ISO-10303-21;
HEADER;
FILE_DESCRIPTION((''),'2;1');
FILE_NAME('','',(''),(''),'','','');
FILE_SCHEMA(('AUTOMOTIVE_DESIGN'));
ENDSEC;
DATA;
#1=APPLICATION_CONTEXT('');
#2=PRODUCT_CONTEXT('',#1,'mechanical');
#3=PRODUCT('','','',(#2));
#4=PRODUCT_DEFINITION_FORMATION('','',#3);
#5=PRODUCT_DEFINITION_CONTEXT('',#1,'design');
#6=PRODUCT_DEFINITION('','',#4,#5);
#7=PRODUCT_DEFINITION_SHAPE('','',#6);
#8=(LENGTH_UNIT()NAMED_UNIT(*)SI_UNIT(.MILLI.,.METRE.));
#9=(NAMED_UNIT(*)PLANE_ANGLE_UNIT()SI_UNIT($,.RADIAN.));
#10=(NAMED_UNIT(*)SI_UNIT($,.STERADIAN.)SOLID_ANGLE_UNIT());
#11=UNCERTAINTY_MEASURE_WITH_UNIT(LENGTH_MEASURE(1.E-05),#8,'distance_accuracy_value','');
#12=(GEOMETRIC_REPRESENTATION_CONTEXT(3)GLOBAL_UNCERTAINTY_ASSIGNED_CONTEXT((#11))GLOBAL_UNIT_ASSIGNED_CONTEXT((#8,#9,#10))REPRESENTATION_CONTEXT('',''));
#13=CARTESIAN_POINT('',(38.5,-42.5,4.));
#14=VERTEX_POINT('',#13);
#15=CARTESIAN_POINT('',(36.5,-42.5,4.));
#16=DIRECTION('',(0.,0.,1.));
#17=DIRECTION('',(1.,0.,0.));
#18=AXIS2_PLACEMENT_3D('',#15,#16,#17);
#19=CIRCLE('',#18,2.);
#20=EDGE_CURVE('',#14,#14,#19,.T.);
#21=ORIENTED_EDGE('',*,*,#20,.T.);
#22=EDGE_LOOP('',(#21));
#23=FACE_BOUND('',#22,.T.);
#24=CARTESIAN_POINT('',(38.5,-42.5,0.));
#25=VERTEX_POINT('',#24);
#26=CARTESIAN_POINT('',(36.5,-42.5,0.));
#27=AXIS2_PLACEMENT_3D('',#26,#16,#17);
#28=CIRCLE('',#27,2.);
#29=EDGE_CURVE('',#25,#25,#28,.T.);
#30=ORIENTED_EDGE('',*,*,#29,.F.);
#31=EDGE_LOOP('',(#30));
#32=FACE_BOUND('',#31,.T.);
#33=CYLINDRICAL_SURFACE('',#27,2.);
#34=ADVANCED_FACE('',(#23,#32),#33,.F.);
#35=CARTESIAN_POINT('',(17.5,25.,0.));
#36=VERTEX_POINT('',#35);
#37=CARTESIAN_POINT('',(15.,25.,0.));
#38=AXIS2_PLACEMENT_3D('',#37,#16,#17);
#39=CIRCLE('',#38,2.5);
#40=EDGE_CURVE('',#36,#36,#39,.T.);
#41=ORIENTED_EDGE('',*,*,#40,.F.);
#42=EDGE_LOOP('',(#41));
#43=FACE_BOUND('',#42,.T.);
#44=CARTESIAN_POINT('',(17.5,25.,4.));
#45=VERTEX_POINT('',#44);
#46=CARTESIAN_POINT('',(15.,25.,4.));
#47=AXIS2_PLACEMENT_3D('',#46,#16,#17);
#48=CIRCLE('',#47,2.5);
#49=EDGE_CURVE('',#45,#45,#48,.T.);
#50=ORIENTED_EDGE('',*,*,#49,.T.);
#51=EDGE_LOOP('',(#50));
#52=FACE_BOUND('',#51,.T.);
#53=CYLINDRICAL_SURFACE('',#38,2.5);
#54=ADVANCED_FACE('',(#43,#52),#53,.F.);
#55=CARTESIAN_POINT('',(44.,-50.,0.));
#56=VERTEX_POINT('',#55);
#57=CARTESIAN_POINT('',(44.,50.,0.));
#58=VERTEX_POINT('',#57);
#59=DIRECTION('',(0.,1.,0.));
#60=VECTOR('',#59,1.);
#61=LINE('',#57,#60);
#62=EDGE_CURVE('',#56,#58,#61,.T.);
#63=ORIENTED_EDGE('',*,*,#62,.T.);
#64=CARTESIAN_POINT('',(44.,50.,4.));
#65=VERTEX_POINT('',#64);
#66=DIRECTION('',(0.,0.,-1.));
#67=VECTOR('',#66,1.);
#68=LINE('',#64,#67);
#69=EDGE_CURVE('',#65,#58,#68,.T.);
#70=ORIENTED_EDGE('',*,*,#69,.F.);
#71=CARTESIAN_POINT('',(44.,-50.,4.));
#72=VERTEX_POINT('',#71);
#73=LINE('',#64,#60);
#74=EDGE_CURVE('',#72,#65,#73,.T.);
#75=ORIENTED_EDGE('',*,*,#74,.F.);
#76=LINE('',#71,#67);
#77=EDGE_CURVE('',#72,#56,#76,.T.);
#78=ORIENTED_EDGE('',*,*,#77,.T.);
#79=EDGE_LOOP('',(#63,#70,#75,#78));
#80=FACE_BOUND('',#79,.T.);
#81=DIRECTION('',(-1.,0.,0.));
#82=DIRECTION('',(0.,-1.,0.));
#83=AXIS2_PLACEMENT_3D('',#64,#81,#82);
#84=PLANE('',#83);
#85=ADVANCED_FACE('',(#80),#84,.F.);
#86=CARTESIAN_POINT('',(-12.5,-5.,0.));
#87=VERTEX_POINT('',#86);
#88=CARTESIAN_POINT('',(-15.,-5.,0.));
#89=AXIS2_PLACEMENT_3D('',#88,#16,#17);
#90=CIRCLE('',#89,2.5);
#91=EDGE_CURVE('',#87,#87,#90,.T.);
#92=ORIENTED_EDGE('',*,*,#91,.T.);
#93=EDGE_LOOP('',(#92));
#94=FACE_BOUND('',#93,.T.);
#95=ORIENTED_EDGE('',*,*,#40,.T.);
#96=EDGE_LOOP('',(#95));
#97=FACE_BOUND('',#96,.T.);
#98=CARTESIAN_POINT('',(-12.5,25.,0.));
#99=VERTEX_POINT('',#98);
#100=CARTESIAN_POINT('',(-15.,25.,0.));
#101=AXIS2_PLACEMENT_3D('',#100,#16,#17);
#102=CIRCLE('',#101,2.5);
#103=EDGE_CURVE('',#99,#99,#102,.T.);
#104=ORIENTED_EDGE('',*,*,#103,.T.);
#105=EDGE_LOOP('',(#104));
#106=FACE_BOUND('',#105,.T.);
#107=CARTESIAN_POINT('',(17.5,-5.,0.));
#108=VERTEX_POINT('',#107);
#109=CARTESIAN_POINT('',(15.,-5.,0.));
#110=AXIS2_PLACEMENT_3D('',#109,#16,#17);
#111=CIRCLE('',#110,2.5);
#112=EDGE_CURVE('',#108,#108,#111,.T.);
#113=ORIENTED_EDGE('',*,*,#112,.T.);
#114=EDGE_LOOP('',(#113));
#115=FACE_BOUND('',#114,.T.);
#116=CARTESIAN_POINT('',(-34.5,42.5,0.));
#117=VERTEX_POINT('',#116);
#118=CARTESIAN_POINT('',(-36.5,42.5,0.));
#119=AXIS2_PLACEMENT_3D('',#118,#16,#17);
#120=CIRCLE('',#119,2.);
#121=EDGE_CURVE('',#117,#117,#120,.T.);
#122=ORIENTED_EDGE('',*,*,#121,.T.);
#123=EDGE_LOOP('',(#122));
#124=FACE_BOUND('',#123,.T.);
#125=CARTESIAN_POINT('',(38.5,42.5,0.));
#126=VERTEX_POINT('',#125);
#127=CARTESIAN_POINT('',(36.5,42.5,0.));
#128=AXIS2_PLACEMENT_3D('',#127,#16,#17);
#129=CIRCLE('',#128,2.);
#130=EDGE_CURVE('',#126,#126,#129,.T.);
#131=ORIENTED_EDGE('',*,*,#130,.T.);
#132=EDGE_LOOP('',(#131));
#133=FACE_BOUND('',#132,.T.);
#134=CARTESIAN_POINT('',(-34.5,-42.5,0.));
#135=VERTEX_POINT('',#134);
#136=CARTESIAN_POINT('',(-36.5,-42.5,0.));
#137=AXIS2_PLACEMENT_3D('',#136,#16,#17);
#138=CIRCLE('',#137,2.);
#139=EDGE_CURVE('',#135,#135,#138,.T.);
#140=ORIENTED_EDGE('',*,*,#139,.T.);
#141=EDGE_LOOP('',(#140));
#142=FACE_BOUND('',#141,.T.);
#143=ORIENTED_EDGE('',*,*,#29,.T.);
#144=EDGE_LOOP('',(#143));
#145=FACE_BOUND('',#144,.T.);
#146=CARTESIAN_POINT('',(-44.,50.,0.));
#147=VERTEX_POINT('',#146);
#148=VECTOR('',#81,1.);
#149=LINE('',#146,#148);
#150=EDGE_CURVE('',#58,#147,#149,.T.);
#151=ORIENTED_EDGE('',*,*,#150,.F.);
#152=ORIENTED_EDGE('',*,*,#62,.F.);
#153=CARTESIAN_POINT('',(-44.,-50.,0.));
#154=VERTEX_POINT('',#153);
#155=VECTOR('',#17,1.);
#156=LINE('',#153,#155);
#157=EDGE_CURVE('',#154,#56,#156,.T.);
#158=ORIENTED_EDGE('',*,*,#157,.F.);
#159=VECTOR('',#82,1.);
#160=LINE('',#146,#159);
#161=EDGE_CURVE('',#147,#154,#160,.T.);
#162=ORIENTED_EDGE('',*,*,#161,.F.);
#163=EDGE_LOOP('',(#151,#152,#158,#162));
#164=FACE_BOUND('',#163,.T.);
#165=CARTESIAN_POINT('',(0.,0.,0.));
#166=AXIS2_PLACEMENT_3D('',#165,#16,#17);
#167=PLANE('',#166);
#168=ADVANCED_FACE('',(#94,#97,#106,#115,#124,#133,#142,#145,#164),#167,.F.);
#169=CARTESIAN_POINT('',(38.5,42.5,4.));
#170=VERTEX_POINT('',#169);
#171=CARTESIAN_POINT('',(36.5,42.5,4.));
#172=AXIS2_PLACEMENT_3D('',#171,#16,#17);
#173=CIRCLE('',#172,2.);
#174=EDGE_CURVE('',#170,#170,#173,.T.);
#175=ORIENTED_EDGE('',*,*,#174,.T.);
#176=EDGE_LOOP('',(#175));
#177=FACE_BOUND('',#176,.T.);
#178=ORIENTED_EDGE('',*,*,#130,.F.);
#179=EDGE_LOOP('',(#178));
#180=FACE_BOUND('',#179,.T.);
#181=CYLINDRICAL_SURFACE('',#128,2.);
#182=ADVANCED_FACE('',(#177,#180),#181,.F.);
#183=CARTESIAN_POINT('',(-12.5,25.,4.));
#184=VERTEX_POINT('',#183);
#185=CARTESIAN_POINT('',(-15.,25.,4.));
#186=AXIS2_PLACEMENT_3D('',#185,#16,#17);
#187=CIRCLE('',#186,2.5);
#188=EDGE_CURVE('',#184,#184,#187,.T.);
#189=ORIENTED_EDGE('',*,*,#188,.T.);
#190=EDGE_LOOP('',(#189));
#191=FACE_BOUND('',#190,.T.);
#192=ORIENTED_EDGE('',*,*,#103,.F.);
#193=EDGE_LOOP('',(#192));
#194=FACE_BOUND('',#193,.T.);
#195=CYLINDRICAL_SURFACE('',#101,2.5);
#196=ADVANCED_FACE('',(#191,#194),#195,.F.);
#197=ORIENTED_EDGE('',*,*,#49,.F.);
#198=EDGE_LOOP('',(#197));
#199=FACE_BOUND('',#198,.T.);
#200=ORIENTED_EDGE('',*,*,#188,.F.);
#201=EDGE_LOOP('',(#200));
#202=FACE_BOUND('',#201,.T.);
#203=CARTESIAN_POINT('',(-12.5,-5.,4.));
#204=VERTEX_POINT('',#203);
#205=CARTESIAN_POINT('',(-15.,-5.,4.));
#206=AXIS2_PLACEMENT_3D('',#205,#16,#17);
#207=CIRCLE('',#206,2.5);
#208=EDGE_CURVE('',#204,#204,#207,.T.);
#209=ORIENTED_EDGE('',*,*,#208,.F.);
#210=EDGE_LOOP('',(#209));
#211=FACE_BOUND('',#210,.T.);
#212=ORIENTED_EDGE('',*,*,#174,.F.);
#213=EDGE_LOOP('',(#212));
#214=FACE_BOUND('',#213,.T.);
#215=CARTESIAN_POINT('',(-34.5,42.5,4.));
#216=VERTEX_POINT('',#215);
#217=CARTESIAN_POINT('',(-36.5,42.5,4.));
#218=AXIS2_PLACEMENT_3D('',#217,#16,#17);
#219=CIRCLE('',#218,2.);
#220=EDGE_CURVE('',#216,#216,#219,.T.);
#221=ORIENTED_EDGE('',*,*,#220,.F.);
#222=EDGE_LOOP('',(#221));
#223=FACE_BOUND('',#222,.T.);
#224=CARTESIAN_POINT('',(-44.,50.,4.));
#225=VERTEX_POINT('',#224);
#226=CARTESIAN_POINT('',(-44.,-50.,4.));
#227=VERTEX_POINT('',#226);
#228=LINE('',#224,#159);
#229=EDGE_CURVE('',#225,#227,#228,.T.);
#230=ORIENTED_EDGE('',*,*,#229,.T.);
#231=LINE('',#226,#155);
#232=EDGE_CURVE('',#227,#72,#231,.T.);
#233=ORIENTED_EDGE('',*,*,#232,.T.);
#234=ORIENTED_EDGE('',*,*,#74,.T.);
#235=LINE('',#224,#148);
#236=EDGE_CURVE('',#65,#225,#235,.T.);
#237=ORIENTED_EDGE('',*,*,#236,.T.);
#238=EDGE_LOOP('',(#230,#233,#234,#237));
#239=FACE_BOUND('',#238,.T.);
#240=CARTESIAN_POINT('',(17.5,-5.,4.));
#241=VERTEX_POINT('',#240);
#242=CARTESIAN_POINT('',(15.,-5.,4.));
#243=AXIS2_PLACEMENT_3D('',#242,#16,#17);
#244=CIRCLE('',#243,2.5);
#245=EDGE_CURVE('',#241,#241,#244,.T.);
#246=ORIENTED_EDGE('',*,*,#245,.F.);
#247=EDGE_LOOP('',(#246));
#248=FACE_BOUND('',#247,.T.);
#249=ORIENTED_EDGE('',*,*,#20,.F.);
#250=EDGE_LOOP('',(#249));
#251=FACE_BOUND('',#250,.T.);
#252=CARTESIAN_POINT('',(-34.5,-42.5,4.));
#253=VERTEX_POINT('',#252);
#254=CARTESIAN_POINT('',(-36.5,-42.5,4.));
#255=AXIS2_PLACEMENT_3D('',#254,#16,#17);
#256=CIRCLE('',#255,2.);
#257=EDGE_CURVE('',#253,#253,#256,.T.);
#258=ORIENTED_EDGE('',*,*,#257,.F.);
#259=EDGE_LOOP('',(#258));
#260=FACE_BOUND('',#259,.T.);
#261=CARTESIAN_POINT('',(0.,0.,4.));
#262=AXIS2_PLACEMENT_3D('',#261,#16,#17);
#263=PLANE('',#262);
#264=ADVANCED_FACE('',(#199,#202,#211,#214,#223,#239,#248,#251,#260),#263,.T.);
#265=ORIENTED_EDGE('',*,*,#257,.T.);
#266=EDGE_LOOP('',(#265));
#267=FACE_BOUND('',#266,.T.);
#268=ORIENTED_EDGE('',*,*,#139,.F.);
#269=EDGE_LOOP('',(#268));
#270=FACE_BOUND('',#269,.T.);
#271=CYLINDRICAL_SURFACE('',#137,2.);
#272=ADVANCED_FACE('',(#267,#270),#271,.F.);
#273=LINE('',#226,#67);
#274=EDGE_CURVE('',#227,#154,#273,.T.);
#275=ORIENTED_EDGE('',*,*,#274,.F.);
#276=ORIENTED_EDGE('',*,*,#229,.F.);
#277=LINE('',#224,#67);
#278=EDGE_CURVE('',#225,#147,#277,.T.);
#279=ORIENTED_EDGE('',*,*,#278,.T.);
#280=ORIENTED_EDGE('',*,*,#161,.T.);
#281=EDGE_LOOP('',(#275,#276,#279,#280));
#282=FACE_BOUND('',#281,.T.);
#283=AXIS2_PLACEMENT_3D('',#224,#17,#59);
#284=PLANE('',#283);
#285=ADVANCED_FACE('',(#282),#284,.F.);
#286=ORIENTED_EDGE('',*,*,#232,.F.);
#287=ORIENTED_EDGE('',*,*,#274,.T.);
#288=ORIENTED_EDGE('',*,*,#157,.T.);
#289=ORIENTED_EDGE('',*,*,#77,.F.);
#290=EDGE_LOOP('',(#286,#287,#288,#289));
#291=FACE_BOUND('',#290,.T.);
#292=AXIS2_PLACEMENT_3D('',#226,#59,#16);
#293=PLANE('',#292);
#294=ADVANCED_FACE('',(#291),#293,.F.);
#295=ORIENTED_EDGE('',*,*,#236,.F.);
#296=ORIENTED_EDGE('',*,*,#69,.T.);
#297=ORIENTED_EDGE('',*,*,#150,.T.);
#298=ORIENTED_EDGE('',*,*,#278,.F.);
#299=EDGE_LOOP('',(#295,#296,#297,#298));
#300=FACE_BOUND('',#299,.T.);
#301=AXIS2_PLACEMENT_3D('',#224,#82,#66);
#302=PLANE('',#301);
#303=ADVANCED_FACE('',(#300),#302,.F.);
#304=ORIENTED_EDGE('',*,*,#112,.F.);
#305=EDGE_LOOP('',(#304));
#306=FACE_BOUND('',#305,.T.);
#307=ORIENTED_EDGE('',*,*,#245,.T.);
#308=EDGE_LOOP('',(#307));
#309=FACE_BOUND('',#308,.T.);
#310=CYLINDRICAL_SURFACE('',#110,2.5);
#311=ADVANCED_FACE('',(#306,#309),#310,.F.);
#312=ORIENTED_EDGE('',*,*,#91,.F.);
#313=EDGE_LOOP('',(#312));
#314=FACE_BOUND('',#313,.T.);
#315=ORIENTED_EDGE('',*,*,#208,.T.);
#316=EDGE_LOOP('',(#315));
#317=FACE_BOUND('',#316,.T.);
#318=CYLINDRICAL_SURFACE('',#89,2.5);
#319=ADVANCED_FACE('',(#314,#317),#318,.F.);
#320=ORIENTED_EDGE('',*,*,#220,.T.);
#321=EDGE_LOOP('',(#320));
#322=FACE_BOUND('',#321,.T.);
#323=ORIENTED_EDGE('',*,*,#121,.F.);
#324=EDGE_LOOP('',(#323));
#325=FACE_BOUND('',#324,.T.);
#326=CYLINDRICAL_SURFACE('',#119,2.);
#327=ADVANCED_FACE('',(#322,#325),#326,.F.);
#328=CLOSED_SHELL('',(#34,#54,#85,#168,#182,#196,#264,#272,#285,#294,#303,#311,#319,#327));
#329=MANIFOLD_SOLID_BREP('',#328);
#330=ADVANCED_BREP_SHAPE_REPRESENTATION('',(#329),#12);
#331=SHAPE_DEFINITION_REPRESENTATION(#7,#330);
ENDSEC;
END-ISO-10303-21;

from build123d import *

# Parameters (mm, degrees)
SKETCH_1_W          = 88
SKETCH_1_H          = 100
EXTRUDE_1_DEPTH     = 4
SKETCH_2_R          = 2
CUT_EXTRUDE_1_DEPTH = 67.72330927
SKETCH_3_R          = 2.5
CUT_EXTRUDE_2_DEPTH = 67.72330927


with BuildPart() as part:
    # 草图1 → 凸台-拉伸1 (new body)
    with BuildSketch(Plane.XY):
        Rectangle(SKETCH_1_W, SKETCH_1_H)
    extrude(amount=EXTRUDE_1_DEPTH)

    # 草图2 → 切除-拉伸1 (cut, through all)
    with BuildSketch(Plane.XY.offset(4)):
        with Locations((-36.5, 42.5)):
            Circle(SKETCH_2_R)
        with Locations((36.5, 42.5)):
            Circle(SKETCH_2_R)
        with Locations((36.5, -42.5)):
            Circle(SKETCH_2_R)
        with Locations((-36.5, -42.5)):
            Circle(SKETCH_2_R)
    extrude(amount=-CUT_EXTRUDE_1_DEPTH, mode=Mode.SUBTRACT)

    # 草图3 → 切除-拉伸2 (cut, through all)
    with BuildSketch(Plane.XY.offset(4)):
        with Locations((-15, 25)):
            Circle(SKETCH_3_R)
        with Locations((15, 25)):
            Circle(SKETCH_3_R)
        with Locations((15, -5)):
            Circle(SKETCH_3_R)
        with Locations((-15, -5)):
            Circle(SKETCH_3_R)
    extrude(amount=-CUT_EXTRUDE_2_DEPTH, mode=Mode.SUBTRACT)


solid = part.part
